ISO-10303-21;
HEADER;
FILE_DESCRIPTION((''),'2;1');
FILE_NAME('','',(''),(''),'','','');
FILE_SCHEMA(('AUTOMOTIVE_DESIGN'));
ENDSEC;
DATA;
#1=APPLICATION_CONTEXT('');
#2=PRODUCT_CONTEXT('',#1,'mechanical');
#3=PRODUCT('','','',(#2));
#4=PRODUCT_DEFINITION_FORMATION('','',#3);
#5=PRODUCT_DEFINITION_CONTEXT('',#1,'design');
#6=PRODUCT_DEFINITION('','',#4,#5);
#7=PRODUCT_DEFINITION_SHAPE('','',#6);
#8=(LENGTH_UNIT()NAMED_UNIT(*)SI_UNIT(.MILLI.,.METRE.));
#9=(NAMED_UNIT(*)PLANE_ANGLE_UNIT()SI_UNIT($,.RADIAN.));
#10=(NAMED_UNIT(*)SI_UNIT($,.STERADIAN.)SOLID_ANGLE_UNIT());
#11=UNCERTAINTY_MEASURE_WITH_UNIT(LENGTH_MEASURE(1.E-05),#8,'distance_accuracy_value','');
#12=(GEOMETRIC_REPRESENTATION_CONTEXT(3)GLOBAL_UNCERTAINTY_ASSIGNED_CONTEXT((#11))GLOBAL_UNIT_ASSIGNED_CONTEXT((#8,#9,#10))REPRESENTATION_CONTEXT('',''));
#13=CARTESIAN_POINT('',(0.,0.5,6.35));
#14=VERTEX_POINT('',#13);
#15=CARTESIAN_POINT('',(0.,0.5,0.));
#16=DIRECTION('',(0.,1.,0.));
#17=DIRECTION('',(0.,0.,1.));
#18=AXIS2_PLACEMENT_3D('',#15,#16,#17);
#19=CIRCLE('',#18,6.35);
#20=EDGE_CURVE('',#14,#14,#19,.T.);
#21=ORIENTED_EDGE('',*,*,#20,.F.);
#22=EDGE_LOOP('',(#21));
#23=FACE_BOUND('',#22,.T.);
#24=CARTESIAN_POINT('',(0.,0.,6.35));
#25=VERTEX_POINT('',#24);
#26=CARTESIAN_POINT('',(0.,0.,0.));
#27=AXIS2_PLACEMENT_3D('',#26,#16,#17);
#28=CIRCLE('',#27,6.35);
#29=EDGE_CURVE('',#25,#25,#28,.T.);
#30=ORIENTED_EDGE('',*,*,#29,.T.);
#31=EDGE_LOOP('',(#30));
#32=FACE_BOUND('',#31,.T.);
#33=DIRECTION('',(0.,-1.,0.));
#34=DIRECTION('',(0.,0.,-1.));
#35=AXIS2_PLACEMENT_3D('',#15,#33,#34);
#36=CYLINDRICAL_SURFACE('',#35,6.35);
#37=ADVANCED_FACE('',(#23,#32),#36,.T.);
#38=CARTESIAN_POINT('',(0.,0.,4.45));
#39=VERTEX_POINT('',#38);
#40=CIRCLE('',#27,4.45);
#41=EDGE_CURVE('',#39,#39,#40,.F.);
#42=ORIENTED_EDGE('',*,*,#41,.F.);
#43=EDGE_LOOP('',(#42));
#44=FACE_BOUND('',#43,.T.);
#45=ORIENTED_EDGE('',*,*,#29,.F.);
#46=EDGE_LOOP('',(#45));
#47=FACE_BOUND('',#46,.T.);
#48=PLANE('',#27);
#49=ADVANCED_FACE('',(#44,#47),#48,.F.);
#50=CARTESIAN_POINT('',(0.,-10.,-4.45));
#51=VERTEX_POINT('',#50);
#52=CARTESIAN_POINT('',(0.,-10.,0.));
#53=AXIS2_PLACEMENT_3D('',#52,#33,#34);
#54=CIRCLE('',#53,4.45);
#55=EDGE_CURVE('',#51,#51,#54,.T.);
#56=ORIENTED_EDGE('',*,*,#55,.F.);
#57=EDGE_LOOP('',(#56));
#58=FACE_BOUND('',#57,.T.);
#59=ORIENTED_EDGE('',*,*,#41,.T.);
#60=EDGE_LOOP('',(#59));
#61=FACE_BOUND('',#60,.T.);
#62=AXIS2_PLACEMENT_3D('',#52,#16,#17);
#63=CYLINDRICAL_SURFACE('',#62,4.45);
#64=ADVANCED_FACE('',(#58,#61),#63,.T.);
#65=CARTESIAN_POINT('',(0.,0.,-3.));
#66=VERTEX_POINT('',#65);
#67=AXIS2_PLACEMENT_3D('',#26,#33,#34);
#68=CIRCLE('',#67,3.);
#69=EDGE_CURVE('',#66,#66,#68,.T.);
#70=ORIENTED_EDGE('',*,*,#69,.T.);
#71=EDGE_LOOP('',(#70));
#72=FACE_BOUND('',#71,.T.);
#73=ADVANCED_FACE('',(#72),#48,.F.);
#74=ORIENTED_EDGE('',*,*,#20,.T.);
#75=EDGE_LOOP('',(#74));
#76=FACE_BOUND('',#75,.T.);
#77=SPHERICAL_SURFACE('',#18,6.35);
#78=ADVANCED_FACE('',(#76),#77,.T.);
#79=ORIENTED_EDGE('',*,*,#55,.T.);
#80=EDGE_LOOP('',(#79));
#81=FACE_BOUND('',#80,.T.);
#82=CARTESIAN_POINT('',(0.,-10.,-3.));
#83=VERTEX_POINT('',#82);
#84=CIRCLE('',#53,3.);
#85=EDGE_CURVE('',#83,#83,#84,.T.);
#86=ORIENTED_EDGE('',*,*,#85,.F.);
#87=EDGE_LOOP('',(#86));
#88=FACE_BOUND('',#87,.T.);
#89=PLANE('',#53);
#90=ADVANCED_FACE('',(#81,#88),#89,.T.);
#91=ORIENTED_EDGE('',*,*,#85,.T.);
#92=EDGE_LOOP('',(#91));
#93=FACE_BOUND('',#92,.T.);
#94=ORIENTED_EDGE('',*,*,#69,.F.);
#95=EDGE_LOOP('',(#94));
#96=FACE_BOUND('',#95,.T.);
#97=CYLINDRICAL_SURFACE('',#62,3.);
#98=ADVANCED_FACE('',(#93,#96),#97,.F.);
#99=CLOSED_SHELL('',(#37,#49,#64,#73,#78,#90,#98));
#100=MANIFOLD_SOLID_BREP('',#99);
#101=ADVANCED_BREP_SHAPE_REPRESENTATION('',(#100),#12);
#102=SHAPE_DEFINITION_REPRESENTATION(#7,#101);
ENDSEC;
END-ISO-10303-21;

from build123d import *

# Parameters (mm, degrees)
SKETCH1_R           = 6.35
BOSS_EXTRUDE1_DEPTH = 0.5
DOME1_FACE_RADIUS   = 6.35
DOME1_HEIGHT        = 6.35
SKETCH2_R           = 4.45
SKETCH2_R_2         = 3
BOSS_EXTRUDE2_DEPTH = 10


with BuildPart() as part:
    # Sketch1 → Boss-Extrude1 (new body)
    with BuildSketch(Plane(origin=(0, 0, 0), x_dir=(1, 0, 0), z_dir=(0, 1, 0))):
        with Locations(Location((0, 0, 0), (0, 0, 270))):
            Circle(SKETCH1_R)
    extrude(amount=BOSS_EXTRUDE1_DEPTH)

    # Dome1: a dome of height H over a round flat face of radius A is a cap of a sphere of radius (A * A + H * H) / (2 * H)
    dome1_r = (DOME1_FACE_RADIUS * DOME1_FACE_RADIUS + DOME1_HEIGHT * DOME1_HEIGHT) / (2 * DOME1_HEIGHT)
    dome1_base = Plane((0, 0.5, 0), z_dir=(0, 1, 0))
    with Locations(dome1_base.offset(DOME1_HEIGHT - dome1_r)):
        dome1_ball = Sphere(dome1_r, mode=Mode.PRIVATE)
    add(split(dome1_ball, bisect_by=dome1_base, keep=Keep.TOP, mode=Mode.PRIVATE))

    # Sketch2 → Boss-Extrude2 (add)
    with BuildSketch(Plane.XZ):
        with Locations(Location((0, 0, 0), (0, 0, 90))):
            Circle(SKETCH2_R)
        with Locations(Location((0, 0, 0), (0, 0, 270))):
            Circle(SKETCH2_R_2, mode=Mode.SUBTRACT)
    extrude(amount=BOSS_EXTRUDE2_DEPTH)


solid = part.part
